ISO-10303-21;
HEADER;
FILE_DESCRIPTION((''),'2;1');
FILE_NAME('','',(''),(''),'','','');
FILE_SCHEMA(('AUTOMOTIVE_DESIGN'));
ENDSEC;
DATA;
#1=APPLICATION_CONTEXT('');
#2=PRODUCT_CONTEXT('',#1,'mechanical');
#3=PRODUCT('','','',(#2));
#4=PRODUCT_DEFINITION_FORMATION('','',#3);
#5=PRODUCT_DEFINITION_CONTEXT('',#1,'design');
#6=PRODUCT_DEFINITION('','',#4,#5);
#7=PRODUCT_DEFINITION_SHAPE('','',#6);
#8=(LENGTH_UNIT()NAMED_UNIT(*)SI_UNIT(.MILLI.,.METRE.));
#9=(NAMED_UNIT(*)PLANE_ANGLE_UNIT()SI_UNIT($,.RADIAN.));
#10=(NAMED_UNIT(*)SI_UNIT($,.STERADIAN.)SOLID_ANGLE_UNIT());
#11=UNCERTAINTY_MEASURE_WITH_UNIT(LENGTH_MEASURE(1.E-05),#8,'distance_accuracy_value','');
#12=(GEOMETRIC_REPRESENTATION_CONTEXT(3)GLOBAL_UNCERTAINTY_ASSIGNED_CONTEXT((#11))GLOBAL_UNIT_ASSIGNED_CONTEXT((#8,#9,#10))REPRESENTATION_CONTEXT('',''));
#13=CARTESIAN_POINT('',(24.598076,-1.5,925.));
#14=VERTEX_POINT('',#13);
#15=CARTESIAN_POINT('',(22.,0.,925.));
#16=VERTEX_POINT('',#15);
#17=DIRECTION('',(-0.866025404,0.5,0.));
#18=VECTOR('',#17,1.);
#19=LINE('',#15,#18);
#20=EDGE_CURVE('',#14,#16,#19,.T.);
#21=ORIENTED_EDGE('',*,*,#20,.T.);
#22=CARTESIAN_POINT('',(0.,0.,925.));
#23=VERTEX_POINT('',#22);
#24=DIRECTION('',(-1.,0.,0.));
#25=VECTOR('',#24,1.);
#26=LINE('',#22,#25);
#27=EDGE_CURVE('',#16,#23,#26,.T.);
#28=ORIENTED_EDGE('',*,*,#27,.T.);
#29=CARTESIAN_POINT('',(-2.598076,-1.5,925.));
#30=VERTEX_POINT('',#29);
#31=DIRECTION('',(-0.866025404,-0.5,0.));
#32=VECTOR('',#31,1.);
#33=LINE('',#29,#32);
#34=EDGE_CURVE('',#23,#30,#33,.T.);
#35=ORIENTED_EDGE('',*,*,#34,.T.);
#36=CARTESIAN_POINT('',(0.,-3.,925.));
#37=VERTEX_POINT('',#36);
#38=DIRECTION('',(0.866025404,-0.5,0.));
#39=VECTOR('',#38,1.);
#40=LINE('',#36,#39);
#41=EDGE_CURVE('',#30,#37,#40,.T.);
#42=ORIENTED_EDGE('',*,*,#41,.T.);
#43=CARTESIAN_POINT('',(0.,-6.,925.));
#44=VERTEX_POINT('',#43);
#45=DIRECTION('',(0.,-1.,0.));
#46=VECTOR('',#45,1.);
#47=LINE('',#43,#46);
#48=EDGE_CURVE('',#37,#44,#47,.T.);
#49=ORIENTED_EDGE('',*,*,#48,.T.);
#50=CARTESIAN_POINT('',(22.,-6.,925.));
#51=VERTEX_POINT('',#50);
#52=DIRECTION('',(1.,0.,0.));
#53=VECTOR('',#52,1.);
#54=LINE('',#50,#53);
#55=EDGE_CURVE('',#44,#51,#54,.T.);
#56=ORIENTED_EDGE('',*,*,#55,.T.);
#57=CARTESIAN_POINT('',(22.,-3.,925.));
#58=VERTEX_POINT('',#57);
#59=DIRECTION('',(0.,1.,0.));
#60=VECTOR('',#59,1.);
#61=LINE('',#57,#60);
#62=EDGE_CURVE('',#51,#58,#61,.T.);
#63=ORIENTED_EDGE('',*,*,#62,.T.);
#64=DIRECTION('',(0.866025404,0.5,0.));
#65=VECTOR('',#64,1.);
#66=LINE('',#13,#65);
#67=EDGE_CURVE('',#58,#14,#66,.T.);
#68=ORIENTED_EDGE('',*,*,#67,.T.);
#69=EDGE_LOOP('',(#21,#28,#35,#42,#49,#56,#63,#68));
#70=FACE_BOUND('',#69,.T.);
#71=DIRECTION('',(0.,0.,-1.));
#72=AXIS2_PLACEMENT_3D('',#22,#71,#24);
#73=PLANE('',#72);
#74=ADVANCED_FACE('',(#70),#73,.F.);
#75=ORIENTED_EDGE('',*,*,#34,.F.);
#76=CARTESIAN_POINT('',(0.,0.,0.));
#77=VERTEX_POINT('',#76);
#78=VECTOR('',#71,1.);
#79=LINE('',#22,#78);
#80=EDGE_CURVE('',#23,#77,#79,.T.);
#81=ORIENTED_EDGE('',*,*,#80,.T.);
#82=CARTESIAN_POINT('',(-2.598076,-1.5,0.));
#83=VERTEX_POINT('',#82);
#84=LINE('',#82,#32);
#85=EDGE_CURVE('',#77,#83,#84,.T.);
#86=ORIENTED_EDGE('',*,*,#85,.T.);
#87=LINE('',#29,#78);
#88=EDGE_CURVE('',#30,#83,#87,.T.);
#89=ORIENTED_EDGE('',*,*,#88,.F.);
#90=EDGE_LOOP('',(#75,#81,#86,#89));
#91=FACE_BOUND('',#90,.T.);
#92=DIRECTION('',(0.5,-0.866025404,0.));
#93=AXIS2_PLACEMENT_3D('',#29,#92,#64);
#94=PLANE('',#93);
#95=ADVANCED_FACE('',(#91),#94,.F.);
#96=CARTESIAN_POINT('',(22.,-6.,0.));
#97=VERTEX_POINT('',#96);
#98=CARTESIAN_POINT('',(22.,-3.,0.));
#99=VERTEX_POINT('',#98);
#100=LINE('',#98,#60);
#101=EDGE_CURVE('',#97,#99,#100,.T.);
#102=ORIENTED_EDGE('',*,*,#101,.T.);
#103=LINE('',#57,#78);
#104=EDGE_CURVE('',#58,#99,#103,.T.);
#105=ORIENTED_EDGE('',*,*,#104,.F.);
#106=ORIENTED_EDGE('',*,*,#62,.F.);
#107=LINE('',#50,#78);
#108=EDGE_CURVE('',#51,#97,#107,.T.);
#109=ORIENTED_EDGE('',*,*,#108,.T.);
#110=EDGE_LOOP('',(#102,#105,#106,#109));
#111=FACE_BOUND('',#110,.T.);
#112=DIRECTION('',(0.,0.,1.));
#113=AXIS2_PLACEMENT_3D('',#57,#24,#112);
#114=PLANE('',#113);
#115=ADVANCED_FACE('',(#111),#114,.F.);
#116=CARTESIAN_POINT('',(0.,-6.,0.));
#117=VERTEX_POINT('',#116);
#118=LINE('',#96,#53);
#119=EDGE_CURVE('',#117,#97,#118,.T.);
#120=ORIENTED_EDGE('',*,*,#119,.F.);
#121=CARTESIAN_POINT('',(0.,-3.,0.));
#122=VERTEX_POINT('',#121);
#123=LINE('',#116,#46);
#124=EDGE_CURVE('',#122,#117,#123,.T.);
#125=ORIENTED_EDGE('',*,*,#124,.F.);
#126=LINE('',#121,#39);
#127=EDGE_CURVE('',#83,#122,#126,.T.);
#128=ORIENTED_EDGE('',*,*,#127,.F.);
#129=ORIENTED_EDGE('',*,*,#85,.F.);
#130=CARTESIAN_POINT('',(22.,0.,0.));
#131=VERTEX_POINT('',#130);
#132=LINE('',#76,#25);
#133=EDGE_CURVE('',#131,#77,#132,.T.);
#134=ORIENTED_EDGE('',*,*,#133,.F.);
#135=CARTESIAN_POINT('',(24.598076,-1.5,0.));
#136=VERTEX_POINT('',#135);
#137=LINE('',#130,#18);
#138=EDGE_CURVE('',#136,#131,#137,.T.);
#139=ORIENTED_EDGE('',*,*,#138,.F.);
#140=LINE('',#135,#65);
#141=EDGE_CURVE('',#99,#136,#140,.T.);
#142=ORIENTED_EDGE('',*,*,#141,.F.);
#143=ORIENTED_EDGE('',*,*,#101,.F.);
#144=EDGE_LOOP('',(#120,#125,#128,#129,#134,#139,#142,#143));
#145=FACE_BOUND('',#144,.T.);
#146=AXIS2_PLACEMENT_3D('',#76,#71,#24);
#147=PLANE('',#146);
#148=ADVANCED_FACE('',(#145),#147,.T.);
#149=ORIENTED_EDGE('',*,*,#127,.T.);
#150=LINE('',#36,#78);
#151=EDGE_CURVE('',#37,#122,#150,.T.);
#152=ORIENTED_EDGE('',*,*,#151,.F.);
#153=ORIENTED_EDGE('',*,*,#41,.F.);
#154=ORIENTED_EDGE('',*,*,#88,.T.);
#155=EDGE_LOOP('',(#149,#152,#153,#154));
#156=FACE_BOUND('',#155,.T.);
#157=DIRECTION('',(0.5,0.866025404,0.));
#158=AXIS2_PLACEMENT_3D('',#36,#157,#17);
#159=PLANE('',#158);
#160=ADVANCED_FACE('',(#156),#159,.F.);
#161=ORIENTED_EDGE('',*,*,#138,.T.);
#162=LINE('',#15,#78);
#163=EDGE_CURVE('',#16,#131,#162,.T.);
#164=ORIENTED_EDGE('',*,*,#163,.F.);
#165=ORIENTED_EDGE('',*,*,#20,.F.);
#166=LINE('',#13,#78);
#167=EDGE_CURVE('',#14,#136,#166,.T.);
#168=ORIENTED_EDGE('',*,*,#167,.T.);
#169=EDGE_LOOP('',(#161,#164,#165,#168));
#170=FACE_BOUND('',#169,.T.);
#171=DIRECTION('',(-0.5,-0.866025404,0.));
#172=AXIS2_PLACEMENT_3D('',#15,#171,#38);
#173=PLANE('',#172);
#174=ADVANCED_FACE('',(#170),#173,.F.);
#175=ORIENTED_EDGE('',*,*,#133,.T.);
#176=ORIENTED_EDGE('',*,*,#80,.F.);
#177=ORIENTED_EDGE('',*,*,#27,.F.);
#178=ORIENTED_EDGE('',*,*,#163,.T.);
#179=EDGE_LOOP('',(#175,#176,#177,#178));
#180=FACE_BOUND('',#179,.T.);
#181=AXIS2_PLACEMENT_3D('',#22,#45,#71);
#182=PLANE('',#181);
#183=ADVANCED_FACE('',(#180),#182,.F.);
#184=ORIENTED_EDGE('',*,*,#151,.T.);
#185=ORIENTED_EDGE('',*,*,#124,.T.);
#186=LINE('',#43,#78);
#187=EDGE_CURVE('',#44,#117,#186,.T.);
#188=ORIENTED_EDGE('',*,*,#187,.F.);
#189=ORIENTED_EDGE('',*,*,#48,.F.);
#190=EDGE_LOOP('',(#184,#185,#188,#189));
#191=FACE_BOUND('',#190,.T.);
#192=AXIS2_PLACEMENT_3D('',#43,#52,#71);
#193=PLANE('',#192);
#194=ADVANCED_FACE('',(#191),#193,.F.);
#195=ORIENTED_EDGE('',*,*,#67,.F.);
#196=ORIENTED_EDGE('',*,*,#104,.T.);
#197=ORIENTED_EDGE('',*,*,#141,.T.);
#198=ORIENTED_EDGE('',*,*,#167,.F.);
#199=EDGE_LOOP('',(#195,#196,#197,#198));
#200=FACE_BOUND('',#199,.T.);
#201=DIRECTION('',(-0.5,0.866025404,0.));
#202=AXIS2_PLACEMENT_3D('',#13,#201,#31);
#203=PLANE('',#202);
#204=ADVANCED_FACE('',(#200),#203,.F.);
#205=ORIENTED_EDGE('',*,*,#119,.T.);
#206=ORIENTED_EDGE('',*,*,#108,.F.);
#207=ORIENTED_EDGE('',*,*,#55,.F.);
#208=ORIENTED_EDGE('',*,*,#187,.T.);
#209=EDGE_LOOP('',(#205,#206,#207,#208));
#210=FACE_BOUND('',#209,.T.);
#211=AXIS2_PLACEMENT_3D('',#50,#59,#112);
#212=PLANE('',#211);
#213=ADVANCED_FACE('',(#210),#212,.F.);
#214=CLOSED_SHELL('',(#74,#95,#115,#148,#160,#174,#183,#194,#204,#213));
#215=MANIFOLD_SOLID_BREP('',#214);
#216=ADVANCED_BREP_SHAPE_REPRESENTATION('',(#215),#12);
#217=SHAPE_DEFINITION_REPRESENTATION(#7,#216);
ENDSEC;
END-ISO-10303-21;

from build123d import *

# Parameters (mm, degrees)
BOSS_EXTRUDE1_DEPTH = 925


with BuildPart() as part:
    # Sketch1 → Boss-Extrude1 (new body)
    with BuildSketch(Plane.XY):
        Polygon((0, 0), (22, 0), (24.598076211, -1.5), (22, -3), (22, -6), (0, -6), (0, -3), (-2.598076211, -1.5), align=None)
    extrude(amount=BOSS_EXTRUDE1_DEPTH)


solid = part.part
